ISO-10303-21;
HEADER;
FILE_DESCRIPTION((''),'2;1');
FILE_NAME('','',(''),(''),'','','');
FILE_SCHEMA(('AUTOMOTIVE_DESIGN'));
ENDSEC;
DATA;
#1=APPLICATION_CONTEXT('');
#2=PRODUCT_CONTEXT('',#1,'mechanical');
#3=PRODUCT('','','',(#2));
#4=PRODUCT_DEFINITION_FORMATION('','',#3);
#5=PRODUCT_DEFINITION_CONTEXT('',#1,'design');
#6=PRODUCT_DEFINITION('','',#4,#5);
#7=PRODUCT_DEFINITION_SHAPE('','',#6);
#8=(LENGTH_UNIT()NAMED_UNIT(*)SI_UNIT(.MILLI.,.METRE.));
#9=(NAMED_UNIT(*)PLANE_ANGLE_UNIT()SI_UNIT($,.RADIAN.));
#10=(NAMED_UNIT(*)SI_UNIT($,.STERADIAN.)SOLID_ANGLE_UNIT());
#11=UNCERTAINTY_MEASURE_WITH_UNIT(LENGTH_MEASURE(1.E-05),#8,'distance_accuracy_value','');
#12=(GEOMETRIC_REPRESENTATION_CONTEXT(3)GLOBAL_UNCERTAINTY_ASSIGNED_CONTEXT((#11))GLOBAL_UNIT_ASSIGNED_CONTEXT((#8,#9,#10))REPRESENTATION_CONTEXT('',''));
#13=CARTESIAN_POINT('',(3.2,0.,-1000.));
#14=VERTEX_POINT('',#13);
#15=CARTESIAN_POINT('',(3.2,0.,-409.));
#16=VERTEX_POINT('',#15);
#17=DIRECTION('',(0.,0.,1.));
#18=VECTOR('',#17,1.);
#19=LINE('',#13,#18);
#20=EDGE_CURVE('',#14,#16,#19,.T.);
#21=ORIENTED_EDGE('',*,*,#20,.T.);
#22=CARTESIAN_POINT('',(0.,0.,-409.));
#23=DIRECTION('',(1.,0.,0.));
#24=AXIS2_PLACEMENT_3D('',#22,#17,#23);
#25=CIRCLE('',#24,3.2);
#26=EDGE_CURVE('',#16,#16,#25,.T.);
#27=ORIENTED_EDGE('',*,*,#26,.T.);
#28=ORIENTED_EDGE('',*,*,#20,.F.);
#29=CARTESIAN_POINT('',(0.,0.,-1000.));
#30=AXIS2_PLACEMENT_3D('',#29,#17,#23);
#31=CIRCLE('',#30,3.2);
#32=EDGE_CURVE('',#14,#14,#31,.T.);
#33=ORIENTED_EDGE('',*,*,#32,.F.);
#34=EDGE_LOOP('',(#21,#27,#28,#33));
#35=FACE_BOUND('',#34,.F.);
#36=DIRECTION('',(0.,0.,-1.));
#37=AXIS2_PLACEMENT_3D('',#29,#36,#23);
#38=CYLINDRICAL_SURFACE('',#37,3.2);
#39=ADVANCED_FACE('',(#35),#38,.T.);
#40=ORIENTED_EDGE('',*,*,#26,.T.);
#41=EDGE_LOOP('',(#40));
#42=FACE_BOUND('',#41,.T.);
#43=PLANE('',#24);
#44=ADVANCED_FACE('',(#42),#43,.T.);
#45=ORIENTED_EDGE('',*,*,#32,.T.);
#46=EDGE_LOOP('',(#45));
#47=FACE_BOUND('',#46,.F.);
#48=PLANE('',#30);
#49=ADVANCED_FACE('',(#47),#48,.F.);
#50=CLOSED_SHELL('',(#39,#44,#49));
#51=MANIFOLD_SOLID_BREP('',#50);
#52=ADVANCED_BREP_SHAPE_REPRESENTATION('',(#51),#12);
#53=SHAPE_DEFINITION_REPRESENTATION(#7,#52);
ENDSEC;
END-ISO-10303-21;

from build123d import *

# Parameters (mm, degrees)
F1_R     = 3.2
F2_DEPTH = 591


with BuildPart() as f2:
    # F1 (on offset) → F2 (new body)
    with BuildSketch(Plane.XY.offset(-1000)):
        Circle(F1_R)
    extrude(amount=F2_DEPTH)


solid = f2.part
